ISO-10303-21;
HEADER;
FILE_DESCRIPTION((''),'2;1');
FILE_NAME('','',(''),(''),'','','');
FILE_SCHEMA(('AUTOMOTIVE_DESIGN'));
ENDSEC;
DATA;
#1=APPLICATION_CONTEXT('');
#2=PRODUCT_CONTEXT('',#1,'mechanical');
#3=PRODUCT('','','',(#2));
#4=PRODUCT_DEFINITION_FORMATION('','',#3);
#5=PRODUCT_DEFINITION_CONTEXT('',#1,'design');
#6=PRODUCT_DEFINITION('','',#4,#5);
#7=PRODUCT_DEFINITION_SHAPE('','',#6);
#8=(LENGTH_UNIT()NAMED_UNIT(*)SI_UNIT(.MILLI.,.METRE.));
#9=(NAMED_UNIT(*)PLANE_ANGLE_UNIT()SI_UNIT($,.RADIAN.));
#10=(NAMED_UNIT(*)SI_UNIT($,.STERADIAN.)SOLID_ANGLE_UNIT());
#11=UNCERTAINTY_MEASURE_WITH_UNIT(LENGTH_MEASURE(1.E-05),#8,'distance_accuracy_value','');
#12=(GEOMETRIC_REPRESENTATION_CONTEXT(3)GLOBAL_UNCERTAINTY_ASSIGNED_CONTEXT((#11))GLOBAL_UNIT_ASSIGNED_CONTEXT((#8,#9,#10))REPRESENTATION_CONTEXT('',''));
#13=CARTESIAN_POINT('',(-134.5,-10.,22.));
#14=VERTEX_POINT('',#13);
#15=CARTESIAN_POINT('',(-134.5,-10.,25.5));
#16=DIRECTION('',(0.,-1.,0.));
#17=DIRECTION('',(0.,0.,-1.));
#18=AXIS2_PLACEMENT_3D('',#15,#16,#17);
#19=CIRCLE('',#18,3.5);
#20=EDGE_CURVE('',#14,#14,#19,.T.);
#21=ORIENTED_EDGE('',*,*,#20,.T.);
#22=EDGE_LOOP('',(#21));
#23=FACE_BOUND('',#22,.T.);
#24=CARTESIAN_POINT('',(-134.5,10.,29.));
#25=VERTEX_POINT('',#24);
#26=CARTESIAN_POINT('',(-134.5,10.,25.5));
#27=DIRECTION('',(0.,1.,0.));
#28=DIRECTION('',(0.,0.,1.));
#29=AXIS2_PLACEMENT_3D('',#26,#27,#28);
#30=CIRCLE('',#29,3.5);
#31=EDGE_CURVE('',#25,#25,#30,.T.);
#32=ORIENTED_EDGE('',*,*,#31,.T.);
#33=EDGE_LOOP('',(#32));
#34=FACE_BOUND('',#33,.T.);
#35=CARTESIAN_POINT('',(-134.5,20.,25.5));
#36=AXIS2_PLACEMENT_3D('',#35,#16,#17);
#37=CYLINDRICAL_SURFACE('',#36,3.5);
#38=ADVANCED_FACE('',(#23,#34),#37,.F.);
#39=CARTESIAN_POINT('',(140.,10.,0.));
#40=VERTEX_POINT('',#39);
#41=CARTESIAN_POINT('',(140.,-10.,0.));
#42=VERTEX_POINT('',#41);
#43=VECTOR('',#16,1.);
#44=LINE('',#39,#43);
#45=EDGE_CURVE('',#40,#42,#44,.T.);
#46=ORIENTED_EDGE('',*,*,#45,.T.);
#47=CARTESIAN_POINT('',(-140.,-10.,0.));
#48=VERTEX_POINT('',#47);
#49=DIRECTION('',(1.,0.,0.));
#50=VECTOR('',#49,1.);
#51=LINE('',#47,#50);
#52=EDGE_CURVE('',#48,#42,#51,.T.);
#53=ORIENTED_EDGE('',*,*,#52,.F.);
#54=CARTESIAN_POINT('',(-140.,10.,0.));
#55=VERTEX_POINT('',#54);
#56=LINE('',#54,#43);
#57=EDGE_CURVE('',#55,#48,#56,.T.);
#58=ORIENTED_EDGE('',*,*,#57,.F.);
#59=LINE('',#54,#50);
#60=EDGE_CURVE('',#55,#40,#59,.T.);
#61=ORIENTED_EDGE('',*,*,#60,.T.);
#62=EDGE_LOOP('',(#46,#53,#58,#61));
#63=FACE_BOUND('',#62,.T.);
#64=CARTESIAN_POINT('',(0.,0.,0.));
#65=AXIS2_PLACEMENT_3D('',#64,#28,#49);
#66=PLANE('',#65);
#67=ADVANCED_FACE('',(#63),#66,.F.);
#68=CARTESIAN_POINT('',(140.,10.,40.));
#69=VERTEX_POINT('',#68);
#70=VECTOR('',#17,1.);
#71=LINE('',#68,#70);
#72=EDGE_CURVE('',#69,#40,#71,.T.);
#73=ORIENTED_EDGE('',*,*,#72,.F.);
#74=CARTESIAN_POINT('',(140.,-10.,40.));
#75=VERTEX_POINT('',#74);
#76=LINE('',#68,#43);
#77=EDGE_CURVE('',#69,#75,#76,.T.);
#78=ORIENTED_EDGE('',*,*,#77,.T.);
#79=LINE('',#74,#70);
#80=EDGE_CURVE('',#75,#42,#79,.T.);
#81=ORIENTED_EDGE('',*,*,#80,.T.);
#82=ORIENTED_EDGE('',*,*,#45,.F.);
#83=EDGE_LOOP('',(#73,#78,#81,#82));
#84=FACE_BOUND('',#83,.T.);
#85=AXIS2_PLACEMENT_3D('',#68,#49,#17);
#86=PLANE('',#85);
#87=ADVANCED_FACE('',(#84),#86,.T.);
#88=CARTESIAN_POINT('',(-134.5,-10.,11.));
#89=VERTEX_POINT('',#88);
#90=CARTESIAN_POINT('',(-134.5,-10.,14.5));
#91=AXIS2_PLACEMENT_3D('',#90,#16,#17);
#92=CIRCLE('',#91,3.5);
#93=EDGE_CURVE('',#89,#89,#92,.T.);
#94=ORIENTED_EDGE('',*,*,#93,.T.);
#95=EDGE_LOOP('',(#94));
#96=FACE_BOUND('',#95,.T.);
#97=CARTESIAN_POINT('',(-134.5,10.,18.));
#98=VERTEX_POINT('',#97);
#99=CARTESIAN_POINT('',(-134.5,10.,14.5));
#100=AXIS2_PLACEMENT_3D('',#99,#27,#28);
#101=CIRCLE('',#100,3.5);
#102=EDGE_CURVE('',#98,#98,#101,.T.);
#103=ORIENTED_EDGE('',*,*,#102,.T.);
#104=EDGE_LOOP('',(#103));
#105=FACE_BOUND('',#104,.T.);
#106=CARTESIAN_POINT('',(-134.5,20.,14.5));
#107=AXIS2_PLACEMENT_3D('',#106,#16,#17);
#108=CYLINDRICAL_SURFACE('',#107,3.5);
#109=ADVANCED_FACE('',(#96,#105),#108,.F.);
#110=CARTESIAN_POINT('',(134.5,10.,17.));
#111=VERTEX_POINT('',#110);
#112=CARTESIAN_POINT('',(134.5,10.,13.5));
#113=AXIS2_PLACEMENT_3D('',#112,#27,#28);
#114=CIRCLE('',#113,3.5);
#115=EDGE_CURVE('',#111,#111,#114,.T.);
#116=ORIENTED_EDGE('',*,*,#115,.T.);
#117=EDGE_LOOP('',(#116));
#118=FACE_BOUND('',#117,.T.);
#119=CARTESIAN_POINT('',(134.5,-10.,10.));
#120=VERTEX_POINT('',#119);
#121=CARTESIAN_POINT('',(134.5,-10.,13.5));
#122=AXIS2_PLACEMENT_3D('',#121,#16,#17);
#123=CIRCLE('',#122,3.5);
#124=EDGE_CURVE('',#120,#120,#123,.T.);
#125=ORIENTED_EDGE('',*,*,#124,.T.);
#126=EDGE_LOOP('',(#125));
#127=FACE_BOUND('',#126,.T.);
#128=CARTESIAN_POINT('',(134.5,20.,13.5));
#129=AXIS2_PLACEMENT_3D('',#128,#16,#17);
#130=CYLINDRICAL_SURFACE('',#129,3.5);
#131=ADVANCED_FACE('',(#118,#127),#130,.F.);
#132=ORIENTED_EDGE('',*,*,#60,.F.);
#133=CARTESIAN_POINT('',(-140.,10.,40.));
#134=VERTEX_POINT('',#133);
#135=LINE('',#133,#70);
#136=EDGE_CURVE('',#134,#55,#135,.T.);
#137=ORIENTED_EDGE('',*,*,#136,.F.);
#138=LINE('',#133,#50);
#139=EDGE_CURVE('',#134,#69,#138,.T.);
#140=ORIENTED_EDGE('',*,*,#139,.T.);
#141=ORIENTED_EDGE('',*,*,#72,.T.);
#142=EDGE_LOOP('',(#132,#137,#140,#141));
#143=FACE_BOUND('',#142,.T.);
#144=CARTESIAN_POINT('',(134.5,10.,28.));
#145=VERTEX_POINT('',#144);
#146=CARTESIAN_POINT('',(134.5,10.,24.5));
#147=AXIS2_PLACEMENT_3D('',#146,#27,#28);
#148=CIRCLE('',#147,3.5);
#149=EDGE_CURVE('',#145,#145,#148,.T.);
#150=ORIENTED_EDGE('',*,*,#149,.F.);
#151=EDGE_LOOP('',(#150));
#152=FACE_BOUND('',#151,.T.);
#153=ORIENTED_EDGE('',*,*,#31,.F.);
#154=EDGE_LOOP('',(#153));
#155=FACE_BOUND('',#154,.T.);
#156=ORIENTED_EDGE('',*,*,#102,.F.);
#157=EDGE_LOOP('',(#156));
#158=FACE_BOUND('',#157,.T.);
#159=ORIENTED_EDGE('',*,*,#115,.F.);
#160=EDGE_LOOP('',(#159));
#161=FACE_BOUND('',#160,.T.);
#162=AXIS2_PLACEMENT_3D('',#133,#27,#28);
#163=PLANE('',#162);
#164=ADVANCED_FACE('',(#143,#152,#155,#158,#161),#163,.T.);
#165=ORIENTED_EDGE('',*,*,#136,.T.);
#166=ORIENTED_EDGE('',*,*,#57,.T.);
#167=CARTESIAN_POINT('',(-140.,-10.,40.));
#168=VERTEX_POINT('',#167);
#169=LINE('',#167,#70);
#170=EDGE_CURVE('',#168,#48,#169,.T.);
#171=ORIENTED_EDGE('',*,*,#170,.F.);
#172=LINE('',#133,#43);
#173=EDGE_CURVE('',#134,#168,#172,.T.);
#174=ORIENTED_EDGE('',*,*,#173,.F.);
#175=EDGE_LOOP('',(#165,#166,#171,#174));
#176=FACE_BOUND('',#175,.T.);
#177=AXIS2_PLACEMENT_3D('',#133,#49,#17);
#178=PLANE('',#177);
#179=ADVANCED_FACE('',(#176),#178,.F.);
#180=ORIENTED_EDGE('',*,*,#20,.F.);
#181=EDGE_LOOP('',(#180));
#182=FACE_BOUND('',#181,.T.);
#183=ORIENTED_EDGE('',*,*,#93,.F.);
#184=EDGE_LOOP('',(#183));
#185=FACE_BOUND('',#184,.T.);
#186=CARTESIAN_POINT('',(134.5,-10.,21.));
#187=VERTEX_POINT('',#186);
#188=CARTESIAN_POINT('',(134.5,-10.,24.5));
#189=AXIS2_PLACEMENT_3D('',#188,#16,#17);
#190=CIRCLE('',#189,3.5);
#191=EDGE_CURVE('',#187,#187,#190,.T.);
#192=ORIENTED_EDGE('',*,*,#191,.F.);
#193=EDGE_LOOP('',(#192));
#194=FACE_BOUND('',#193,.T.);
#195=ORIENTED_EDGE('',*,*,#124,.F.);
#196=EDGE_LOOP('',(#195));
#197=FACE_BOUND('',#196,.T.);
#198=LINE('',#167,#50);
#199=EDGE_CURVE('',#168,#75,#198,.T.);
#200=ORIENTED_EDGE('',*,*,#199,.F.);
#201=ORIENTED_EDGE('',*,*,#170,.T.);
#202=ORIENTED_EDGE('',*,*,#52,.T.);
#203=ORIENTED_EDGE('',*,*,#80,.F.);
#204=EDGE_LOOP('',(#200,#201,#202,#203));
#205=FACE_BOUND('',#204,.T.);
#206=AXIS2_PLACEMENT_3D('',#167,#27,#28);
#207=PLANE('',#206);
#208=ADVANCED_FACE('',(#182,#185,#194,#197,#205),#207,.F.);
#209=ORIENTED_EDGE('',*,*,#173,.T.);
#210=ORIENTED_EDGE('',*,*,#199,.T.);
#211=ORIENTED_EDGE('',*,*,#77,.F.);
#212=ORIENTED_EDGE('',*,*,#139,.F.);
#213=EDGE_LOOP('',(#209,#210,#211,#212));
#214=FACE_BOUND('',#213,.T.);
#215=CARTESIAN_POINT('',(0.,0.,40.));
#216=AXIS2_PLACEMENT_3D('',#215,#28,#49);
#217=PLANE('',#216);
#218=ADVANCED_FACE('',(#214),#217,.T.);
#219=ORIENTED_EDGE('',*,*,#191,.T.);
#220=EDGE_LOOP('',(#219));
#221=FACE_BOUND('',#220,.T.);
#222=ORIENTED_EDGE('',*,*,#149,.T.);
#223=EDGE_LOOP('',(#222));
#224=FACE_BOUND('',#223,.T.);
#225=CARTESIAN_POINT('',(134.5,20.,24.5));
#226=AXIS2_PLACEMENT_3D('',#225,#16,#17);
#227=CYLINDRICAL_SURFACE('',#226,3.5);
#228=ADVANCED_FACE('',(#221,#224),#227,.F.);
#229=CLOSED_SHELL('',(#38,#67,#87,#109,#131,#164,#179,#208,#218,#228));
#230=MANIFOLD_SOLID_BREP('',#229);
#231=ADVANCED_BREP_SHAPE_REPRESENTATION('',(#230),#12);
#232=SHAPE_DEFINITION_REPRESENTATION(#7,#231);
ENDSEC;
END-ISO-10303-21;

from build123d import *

# Parameters (mm, degrees)
SKETCH_1_W          = 280
SKETCH_1_H          = 20
EXTRUDE_1_DEPTH     = 40
SKETCH_2_R          = 3.5
CUT_EXTRUDE_1_DEPTH = 30


with BuildPart() as part:
    # 스케치1 → 보스-돌출1 (new body)
    with BuildSketch(Plane.XY):
        Rectangle(SKETCH_1_W, SKETCH_1_H)
    extrude(amount=EXTRUDE_1_DEPTH)

    # 스케치2 → 컷-돌출1 (cut)
    with BuildSketch(Plane.XZ.offset(10)):
        with Locations(Location((-134.5, 25.5, 0), (0, 0, 270))):
            Circle(SKETCH_2_R)
        with Locations(Location((-134.5, 14.5, 0), (0, 0, 270))):
            Circle(SKETCH_2_R)
        with Locations(Location((134.5, 24.5, 0), (0, 0, 270))):
            Circle(SKETCH_2_R)
        with Locations(Location((134.5, 13.5, 0), (0, 0, 270))):
            Circle(SKETCH_2_R)
    extrude(amount=-CUT_EXTRUDE_1_DEPTH, mode=Mode.SUBTRACT)


solid = part.part
